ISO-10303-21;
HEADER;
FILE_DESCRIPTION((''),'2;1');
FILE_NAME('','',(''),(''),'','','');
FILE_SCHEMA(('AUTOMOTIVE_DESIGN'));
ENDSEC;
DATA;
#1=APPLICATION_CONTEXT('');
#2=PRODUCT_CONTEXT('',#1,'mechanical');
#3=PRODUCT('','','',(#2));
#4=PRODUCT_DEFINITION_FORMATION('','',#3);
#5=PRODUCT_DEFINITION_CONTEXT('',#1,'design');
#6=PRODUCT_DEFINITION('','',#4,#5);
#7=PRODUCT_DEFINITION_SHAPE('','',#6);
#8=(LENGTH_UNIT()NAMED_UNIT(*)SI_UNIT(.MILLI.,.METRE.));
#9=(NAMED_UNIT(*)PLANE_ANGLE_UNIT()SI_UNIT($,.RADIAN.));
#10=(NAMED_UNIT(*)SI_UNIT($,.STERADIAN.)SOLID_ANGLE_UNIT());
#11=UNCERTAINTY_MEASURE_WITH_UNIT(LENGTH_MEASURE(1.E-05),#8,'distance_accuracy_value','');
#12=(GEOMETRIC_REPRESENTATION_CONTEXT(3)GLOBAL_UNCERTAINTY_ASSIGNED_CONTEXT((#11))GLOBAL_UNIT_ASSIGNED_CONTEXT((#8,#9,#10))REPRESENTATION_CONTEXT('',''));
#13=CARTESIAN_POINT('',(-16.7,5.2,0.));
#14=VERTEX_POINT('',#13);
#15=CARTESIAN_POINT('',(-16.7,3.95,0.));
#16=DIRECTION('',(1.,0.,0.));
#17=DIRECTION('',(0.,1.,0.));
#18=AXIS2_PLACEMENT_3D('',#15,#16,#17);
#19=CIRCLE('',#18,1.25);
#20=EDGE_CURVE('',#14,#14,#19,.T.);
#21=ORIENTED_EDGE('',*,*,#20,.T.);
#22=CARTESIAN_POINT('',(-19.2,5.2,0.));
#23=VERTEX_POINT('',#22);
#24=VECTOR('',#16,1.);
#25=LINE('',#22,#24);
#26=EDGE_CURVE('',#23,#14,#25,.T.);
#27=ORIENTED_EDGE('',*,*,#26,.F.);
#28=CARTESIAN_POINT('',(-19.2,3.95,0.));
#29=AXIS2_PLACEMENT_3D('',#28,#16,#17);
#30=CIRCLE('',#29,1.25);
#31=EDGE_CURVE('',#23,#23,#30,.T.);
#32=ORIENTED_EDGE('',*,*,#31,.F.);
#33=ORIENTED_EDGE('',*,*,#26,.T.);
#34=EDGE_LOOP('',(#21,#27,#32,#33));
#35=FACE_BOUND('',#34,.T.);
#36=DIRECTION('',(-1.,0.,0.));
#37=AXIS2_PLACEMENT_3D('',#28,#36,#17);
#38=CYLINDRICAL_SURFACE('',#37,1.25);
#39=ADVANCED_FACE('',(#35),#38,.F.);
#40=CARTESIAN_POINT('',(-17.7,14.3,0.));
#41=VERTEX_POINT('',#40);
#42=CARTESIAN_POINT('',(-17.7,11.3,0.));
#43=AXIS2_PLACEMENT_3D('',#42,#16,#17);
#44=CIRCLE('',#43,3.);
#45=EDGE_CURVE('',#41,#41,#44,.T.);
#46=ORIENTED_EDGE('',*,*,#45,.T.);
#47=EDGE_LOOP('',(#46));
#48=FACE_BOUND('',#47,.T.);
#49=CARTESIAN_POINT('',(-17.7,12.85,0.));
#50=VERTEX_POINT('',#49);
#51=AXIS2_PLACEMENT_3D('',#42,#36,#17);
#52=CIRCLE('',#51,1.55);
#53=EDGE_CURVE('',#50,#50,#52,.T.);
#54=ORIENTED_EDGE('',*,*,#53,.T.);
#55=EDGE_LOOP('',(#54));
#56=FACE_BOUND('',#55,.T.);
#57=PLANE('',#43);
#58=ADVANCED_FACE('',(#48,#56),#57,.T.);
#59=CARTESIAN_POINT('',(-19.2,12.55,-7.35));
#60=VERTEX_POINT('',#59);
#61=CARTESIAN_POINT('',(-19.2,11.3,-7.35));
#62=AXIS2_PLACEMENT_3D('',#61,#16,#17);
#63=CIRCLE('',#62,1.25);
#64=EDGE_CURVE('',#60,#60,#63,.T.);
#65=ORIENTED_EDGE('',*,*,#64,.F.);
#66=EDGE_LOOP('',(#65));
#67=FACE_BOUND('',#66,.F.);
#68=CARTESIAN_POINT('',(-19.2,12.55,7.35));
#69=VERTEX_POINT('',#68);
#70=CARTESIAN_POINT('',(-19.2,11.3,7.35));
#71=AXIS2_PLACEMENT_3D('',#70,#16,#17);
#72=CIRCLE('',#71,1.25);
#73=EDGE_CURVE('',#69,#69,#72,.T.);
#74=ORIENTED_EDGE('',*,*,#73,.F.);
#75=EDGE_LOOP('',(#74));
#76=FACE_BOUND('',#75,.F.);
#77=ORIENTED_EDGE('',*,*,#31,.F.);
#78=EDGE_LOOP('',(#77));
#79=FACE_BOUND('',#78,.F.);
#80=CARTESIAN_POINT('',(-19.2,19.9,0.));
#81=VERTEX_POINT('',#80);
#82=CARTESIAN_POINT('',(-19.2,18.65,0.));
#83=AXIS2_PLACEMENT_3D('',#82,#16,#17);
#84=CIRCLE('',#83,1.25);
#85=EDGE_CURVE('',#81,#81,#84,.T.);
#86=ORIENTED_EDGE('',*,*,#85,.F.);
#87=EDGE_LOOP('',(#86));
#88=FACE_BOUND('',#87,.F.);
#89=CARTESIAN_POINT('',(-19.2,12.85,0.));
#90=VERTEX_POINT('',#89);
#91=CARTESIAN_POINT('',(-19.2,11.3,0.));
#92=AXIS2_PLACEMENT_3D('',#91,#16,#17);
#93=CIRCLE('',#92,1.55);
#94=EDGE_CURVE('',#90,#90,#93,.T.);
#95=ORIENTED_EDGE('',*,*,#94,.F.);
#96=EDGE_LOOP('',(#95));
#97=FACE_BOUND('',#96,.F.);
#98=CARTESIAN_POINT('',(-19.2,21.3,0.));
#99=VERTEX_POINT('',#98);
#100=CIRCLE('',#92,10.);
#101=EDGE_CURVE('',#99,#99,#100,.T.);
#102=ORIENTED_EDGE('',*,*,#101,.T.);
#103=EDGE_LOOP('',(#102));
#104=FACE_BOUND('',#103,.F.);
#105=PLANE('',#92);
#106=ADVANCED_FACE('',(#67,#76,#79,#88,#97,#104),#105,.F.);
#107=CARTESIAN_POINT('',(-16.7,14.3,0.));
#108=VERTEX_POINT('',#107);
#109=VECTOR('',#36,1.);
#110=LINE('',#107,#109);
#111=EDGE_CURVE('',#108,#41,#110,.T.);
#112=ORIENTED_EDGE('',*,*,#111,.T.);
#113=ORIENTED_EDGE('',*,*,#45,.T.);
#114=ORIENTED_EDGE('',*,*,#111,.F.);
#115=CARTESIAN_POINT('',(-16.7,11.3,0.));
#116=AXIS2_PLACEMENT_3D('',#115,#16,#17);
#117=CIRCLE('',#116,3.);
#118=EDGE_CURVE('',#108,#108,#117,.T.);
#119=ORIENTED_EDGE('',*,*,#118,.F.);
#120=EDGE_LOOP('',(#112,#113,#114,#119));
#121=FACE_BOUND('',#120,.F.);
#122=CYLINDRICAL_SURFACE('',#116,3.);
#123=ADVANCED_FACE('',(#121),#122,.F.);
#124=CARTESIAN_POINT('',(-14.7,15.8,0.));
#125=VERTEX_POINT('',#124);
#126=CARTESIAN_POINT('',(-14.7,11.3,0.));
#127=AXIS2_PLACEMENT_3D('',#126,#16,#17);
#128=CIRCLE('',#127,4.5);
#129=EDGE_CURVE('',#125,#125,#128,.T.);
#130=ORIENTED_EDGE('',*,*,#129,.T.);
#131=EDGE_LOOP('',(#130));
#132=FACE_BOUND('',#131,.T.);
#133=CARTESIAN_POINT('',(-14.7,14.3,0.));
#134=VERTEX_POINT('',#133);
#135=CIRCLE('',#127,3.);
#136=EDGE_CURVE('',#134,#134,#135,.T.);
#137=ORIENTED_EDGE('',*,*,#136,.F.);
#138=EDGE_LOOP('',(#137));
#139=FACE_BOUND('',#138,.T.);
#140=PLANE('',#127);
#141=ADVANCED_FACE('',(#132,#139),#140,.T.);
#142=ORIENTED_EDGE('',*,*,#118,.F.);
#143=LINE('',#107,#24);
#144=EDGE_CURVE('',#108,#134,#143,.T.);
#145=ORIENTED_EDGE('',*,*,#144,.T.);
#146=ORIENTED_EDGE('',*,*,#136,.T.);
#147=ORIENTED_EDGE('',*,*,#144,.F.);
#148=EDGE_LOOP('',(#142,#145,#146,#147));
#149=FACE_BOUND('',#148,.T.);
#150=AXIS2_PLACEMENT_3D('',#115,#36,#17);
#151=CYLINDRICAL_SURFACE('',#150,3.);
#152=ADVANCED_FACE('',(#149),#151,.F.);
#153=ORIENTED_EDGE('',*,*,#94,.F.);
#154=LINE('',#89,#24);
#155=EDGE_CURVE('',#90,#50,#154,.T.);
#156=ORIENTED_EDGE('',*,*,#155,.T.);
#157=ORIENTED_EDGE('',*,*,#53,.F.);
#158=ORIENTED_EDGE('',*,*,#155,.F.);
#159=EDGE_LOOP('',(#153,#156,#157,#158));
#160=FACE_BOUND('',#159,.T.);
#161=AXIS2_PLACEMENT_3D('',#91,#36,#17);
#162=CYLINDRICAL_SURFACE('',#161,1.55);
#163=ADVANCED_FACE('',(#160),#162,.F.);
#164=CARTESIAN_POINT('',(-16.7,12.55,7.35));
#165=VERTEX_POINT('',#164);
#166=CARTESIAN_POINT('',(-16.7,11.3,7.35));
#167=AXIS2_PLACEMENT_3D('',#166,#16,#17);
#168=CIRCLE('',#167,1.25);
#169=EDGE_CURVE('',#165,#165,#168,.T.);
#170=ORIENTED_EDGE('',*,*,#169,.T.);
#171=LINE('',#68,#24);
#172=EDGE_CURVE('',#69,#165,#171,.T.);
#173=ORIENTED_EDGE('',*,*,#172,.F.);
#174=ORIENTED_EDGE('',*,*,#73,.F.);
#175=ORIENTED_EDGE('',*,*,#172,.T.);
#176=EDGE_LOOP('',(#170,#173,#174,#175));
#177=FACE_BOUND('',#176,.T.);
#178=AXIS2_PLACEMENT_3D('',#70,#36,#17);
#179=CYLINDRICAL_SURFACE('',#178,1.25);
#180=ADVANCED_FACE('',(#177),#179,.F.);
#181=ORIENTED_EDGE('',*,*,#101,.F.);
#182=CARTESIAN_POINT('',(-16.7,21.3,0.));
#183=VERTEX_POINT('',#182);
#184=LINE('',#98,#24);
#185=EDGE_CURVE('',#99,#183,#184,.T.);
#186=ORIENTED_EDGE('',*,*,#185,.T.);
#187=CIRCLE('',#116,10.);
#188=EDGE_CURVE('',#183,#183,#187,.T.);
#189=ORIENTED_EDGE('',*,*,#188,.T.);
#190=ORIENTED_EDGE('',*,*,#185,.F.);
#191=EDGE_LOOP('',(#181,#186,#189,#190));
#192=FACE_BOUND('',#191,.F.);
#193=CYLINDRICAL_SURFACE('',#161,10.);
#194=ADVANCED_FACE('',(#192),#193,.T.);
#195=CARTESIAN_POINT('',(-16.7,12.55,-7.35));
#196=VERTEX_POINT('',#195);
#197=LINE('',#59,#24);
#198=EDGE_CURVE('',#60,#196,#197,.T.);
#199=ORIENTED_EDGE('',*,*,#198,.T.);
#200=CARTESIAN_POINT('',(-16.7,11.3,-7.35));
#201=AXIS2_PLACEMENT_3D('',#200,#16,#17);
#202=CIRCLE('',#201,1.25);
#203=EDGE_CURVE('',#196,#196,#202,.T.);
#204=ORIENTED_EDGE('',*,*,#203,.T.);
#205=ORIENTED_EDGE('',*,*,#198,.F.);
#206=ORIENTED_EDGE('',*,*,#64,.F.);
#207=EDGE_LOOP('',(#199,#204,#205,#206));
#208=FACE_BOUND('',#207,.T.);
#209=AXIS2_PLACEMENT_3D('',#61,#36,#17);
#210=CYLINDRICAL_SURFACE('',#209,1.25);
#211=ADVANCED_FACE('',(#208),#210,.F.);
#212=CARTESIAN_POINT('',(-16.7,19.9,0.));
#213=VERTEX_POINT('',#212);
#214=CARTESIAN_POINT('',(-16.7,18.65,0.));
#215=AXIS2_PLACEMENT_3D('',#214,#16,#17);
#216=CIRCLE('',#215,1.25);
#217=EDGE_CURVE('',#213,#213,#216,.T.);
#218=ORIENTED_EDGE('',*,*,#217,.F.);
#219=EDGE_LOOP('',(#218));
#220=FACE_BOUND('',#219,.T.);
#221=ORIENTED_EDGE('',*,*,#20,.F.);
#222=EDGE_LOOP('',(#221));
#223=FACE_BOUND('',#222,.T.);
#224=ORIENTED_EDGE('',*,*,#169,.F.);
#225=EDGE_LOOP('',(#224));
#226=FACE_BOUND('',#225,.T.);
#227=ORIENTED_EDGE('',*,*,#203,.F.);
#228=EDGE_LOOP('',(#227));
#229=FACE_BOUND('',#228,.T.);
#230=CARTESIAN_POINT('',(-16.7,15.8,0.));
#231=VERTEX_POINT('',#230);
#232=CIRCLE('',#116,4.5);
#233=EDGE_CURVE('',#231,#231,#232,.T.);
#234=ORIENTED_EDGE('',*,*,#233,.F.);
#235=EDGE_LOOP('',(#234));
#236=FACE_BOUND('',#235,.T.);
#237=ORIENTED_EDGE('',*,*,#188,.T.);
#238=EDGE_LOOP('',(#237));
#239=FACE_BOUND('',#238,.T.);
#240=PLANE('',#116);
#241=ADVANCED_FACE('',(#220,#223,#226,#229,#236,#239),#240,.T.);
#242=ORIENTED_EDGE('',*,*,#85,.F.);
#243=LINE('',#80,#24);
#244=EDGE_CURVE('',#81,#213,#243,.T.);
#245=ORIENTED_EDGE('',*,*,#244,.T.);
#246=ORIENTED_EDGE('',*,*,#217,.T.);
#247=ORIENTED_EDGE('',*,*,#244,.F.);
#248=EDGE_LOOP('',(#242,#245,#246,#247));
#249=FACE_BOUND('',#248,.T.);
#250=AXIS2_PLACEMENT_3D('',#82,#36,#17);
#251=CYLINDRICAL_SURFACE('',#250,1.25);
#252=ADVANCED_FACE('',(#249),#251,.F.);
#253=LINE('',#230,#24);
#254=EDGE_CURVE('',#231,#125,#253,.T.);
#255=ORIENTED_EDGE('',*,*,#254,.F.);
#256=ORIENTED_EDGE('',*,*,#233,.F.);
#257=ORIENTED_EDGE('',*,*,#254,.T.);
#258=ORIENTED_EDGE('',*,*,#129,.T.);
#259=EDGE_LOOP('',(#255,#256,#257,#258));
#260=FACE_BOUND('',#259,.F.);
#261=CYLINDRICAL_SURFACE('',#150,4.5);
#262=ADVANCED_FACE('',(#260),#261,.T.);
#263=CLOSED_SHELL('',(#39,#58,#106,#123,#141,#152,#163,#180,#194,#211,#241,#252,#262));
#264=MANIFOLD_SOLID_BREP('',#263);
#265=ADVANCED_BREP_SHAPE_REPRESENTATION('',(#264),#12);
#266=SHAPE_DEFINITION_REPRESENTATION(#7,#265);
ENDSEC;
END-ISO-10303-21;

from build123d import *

# Parameters (mm, degrees)
SKETCH038_R     = 10
SKETCH038_R_2   = 1.55
SKETCH038_R_3   = 1.25
PAD034_DEPTH    = 2.5
SKETCH039_R     = 4.5
SKETCH039_R_2   = 3
PAD035_DEPTH    = 2
SKETCH040_R     = 3
POCKET011_DEPTH = 1


with BuildPart() as part:
    # Sketch038 → Pad034 (new body)
    with BuildSketch(Plane.YZ):
        Circle(SKETCH038_R)
        Circle(SKETCH038_R_2, mode=Mode.SUBTRACT)
        with Locations((-7.35, 0)):
            Circle(SKETCH038_R_3, mode=Mode.SUBTRACT)
        with Locations((0, -7.35)):
            Circle(SKETCH038_R_3, mode=Mode.SUBTRACT)
        with Locations((7.35, 0)):
            Circle(SKETCH038_R_3, mode=Mode.SUBTRACT)
        with Locations((0, 7.35)):
            Circle(SKETCH038_R_3, mode=Mode.SUBTRACT)
    extrude(amount=PAD034_DEPTH)

    # Sketch039 (on Face8 of Pad034) → Pad035 (join)
    with BuildSketch(Plane.YZ.offset(2.5)):
        Circle(SKETCH039_R)
        Circle(SKETCH039_R_2, mode=Mode.SUBTRACT)
    extrude(amount=PAD035_DEPTH)

    # Sketch040 (on Face10 of Pad035) → Pocket011 (cut)
    with BuildSketch(Plane.YZ.offset(2.5)):
        Circle(SKETCH040_R)
    extrude(amount=-POCKET011_DEPTH, mode=Mode.SUBTRACT)


with BuildPart() as part_1:
    # Body013 placement: moved
    add(part.part.moved(Location((-19.2, 11.3, 0))))


solid = part_1.part
